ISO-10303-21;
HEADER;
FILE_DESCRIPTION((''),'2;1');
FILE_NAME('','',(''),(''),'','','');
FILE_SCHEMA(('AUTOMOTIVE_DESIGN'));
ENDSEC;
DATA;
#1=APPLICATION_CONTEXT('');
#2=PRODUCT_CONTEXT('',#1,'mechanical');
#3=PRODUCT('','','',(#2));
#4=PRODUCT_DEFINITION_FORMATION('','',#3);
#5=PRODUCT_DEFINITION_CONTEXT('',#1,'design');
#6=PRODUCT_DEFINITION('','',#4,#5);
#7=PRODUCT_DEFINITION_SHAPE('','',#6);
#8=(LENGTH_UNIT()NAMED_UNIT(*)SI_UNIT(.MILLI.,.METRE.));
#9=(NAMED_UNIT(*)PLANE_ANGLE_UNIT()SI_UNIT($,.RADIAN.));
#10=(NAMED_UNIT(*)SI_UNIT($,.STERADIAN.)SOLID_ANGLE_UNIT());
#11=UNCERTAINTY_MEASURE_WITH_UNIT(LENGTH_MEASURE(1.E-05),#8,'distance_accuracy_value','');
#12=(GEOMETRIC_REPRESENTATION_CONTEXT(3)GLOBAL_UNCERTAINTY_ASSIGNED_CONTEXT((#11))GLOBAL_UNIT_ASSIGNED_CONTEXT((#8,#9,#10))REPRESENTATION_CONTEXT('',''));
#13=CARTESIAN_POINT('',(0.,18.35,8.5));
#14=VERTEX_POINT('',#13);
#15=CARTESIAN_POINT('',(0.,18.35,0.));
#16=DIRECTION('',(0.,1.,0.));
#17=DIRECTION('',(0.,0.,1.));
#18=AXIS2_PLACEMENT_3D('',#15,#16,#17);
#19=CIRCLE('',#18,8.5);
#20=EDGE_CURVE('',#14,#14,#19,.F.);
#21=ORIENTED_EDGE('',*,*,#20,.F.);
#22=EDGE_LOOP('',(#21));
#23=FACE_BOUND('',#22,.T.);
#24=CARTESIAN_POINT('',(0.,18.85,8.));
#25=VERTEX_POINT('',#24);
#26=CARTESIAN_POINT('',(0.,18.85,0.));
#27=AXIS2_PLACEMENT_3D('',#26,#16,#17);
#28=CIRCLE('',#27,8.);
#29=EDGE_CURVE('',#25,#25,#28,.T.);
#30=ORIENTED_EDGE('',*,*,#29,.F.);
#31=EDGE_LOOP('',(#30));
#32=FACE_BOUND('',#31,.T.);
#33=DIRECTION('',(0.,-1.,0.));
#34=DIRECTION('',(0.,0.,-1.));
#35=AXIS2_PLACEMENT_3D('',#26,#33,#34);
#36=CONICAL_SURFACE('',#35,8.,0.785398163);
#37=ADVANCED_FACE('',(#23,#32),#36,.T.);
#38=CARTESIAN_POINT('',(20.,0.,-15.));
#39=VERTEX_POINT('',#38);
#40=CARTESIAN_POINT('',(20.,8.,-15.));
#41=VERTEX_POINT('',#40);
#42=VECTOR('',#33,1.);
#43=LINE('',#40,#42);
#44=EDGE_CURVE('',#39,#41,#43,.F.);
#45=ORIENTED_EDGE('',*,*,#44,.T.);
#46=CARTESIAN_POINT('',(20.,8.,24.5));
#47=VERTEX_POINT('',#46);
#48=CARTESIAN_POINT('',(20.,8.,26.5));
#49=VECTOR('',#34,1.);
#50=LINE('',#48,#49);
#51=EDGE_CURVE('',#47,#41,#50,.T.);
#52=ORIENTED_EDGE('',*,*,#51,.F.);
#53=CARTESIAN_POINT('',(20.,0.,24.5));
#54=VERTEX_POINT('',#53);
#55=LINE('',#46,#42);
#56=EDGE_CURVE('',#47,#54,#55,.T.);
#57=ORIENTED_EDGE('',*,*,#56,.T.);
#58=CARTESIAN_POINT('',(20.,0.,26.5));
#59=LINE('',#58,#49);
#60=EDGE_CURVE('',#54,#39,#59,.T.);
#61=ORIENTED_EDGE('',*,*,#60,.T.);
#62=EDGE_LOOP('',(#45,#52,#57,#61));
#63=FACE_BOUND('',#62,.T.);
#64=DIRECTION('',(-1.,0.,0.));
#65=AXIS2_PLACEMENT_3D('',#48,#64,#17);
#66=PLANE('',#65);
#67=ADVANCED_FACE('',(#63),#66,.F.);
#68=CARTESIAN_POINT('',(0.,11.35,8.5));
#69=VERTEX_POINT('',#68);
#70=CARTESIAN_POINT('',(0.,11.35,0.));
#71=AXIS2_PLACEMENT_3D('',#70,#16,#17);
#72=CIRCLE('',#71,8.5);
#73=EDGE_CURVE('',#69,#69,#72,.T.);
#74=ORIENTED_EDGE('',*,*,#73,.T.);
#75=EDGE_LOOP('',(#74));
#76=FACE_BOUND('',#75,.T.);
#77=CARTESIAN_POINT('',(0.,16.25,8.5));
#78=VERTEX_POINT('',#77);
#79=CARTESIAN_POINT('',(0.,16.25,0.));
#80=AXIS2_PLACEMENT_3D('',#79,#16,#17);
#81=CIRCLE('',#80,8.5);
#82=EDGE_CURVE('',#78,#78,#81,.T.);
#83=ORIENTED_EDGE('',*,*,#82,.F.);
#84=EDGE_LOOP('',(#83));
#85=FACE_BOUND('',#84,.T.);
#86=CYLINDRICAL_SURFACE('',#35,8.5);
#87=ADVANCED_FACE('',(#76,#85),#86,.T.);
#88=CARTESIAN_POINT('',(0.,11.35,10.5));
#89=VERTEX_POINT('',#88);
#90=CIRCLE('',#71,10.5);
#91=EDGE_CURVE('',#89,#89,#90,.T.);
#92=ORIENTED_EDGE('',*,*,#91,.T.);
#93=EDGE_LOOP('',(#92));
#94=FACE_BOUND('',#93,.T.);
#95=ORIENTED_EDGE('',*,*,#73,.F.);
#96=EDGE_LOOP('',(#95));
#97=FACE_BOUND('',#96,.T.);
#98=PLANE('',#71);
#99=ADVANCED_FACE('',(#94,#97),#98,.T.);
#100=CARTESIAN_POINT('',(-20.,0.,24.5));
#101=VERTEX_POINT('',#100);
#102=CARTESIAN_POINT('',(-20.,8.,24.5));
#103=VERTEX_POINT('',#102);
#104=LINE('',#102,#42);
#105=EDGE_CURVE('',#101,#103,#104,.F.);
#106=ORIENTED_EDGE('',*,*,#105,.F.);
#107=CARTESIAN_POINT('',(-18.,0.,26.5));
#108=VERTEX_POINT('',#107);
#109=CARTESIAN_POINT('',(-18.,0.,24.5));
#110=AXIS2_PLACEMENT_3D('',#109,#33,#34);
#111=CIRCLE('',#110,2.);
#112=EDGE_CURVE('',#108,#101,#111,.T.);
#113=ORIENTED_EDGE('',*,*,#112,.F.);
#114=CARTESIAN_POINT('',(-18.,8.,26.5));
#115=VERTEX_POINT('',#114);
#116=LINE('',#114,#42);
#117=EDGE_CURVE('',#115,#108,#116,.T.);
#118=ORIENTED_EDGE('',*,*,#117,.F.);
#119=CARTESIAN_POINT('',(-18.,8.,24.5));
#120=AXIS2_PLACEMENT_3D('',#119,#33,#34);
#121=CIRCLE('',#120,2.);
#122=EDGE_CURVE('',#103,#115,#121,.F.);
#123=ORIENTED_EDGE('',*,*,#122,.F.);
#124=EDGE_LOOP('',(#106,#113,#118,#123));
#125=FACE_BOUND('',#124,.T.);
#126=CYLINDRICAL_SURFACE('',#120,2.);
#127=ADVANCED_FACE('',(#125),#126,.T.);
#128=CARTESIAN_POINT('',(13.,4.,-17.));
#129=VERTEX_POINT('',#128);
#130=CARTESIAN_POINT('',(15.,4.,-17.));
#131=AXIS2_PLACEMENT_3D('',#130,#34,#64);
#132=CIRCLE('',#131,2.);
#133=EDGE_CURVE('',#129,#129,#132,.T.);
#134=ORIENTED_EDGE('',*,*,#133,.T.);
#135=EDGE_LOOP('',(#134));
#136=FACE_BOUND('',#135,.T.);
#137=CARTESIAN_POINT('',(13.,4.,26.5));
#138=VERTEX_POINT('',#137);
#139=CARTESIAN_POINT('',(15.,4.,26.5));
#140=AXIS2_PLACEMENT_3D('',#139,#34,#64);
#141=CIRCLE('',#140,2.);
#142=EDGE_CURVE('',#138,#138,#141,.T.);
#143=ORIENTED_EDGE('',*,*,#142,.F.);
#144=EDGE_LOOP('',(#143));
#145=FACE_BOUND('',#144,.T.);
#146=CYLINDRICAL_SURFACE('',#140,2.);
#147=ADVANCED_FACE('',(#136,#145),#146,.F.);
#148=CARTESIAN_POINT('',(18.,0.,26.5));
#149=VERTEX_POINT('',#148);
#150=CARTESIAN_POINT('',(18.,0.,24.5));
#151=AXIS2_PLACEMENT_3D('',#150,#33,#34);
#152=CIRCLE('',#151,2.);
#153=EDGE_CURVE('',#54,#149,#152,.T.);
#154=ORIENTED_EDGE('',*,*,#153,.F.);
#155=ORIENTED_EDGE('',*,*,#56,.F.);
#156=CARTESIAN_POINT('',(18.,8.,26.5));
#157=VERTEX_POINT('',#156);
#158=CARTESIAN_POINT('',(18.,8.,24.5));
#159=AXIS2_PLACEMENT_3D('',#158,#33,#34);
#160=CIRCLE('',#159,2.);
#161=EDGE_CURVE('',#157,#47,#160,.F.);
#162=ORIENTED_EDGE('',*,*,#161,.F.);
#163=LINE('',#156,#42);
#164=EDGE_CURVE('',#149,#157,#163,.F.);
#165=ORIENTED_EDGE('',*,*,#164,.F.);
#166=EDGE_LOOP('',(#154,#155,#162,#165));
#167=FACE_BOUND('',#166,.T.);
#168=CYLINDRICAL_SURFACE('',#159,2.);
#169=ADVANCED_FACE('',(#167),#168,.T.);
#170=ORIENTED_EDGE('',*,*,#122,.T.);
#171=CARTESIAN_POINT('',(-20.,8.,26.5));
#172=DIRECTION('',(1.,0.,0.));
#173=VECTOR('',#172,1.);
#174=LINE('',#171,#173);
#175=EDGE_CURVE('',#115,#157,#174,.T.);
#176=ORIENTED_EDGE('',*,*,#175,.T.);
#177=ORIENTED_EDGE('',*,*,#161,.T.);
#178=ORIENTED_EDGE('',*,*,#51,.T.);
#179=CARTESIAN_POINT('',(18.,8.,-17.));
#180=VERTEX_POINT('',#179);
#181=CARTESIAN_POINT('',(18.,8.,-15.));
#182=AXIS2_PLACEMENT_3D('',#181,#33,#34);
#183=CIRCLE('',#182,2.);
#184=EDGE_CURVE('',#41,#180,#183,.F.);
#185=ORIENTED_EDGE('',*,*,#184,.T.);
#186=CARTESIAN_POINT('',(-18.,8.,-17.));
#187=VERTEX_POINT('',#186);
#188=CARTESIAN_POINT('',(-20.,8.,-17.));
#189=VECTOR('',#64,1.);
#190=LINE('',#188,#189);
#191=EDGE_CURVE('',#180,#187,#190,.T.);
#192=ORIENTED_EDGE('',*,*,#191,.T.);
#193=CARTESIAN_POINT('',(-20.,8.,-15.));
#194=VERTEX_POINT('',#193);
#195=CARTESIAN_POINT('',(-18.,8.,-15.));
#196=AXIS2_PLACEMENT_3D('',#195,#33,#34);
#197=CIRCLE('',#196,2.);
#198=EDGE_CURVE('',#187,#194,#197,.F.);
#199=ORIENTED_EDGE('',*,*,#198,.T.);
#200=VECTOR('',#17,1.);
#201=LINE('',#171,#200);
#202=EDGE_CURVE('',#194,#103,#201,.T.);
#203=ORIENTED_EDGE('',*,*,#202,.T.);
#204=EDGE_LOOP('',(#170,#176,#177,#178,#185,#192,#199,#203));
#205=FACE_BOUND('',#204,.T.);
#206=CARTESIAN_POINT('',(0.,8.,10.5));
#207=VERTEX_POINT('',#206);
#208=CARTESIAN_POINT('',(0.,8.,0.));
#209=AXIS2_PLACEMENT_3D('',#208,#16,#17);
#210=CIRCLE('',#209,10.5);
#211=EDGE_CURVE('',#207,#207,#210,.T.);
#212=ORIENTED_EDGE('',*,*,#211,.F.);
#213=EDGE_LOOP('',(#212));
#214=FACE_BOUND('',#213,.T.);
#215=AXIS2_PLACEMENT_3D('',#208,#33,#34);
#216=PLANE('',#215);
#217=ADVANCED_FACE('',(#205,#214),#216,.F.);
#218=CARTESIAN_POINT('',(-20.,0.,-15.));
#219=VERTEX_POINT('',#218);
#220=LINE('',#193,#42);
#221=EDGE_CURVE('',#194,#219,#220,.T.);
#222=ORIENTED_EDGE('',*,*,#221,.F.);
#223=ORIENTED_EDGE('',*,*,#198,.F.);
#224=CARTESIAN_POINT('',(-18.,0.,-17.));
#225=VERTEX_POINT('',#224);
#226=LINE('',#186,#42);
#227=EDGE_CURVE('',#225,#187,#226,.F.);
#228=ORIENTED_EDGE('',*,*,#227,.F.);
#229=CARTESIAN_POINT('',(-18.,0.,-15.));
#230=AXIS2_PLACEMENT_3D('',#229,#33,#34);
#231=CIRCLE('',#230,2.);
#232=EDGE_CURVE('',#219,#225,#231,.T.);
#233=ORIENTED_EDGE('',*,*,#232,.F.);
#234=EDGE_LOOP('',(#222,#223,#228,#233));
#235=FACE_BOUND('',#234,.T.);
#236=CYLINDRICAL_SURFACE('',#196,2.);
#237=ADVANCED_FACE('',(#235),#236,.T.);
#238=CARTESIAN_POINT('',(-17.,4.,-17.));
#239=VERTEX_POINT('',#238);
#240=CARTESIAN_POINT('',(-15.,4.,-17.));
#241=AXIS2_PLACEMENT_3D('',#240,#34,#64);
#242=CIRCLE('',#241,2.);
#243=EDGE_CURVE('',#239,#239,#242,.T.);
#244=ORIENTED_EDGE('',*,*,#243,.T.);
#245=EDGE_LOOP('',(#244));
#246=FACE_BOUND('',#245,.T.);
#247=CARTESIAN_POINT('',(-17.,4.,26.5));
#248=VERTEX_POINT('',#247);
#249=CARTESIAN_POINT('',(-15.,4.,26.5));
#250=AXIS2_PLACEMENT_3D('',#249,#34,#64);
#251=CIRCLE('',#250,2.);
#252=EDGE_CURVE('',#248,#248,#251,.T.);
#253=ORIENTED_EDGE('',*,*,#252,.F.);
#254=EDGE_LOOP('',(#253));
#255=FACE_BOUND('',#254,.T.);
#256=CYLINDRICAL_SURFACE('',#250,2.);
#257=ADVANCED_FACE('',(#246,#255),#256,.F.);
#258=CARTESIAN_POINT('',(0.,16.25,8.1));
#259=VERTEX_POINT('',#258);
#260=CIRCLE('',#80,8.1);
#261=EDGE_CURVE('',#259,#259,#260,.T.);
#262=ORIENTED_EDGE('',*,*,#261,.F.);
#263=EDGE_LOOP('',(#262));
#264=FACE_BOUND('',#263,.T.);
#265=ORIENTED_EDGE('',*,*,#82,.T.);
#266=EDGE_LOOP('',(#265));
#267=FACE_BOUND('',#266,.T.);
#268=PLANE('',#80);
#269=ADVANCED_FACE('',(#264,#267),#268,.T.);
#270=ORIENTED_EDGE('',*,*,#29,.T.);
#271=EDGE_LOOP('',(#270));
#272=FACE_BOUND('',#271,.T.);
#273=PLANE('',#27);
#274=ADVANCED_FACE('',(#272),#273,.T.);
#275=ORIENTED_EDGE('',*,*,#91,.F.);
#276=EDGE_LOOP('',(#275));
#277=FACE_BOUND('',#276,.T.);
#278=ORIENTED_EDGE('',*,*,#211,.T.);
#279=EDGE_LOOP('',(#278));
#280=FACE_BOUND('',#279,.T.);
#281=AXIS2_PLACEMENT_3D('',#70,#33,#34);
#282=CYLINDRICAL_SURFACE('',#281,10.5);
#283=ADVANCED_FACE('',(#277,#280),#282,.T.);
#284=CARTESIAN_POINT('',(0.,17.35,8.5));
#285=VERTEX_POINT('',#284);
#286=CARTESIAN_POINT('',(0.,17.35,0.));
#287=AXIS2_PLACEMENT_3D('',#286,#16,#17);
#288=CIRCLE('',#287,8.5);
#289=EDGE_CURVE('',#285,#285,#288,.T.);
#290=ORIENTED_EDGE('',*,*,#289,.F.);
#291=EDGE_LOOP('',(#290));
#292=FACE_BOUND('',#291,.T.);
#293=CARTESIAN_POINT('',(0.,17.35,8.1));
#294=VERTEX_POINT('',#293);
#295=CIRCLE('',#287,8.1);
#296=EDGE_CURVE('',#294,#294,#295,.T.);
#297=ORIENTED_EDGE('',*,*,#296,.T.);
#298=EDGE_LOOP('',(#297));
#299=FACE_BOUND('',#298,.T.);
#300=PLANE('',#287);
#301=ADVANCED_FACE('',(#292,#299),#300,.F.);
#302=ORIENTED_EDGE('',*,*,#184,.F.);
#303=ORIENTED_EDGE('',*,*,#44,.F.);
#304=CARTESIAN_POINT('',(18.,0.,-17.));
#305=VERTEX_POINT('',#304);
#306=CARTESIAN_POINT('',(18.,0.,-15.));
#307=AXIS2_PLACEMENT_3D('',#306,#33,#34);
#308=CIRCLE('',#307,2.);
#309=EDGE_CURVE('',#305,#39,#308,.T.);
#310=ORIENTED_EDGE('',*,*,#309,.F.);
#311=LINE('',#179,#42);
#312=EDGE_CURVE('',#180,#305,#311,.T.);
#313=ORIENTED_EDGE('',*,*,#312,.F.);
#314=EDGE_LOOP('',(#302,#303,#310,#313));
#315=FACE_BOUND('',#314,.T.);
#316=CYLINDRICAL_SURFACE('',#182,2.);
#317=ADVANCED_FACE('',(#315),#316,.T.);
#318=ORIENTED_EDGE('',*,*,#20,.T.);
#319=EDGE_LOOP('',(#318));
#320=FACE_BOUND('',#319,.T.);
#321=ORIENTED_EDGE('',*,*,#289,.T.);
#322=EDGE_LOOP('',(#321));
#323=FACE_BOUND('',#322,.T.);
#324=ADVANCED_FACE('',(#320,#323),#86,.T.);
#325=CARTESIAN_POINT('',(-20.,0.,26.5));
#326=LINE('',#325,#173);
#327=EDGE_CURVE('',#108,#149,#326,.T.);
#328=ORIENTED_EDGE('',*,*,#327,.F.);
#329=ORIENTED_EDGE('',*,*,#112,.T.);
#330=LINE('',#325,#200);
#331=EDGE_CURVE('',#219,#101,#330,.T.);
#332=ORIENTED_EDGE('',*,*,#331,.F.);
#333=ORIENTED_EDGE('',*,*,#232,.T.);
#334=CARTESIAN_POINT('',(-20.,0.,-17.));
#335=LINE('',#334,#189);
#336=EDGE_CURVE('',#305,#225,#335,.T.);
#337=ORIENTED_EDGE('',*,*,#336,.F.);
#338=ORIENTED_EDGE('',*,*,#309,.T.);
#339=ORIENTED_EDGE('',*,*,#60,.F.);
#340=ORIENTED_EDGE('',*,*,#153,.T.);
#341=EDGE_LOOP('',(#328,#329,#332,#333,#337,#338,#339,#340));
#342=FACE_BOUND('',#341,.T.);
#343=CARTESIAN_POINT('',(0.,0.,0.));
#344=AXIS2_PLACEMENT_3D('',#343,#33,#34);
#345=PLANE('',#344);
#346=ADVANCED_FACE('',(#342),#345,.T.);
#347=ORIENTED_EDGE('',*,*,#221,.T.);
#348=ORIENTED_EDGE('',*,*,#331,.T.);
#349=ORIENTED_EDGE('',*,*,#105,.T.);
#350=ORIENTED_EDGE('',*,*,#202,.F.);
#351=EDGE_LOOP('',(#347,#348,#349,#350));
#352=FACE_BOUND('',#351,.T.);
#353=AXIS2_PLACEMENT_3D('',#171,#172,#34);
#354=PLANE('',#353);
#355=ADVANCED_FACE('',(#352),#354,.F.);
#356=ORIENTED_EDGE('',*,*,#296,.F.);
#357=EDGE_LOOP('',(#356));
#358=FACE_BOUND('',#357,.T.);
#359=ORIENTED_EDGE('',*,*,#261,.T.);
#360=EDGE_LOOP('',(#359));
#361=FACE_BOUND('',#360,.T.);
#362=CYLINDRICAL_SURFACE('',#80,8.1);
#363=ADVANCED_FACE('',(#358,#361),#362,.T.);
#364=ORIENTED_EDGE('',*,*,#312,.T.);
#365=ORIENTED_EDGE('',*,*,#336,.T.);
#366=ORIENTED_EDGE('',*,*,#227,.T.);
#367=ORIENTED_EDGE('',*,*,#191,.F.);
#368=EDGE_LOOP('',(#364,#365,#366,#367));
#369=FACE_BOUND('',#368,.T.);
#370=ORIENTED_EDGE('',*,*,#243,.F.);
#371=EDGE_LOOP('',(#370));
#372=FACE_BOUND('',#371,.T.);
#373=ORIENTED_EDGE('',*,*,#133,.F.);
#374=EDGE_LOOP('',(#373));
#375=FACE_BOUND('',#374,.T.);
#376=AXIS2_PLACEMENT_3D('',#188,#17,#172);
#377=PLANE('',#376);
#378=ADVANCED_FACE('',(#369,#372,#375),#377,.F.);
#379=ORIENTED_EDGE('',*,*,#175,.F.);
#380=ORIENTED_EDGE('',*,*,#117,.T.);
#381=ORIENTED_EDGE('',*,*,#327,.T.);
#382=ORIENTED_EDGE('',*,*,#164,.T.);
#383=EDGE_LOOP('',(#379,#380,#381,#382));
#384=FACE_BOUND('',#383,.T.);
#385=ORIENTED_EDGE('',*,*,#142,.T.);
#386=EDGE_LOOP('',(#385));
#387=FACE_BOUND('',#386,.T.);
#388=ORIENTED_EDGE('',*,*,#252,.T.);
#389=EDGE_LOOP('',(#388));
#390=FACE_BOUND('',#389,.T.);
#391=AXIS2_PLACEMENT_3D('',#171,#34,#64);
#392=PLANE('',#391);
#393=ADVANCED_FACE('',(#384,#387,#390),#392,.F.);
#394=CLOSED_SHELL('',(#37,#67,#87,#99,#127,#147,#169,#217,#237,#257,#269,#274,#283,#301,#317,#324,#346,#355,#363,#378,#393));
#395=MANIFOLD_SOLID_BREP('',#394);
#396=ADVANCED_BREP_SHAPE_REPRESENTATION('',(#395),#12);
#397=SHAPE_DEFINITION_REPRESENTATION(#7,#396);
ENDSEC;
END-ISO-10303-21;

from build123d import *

# Parameters (mm, degrees)
SKETCH_1_W          = 40
SKETCH_1_H          = 43.5
EXTRUDE_1_DEPTH     = 8
SKETCH_2_R          = 10.5
EXTRUDE_2_DEPTH     = 3.35
SKETCH_3_R          = 8.5
EXTRUDE_3_DEPTH     = 7.5
SKETCH_4_R          = 2
CUT_EXTRUDE_1_DEPTH = 52.454567339
CUT_EXTRUDE_START   = -1.1
SKETCH_5_R          = 8.5
SKETCH_5_R_2        = 8.1
CUT_EXTRUDE_2_DEPTH = 1.1
CHAMFER_1_SIZE      = 0.5
FILLET_1_R          = 2


with BuildPart() as part:
    # 草图1 → 凸台-拉伸1 (new body)
    with BuildSketch(Plane(origin=(0, 0, 0), x_dir=(1, 0, 0), z_dir=(0, 1, 0))):
        with Locations((0, -4.75)):
            Rectangle(SKETCH_1_W, SKETCH_1_H)
    extrude(amount=EXTRUDE_1_DEPTH)

    # 草图2 → 凸台-拉伸2 (add)
    with BuildSketch(Plane(origin=(0, 8, 0), x_dir=(1, 0, 0), z_dir=(0, 1, 0))):
        with Locations(Location((0, 0, 0), (0, 0, 270))):
            Circle(SKETCH_2_R)
    extrude(amount=EXTRUDE_2_DEPTH)

    # 草图3 → 凸台-拉伸3 (add)
    with BuildSketch(Plane(origin=(0, 11.35, 0), x_dir=(1, 0, 0), z_dir=(0, 1, 0))):
        with Locations(Location((0, 0, 0), (0, 0, 270))):
            Circle(SKETCH_3_R)
    extrude(amount=EXTRUDE_3_DEPTH)

    # 草图4 → 切除-拉伸1 (cut, through all)
    with BuildSketch(Plane(origin=(0, 0, -17), x_dir=(-1, 0, 0), z_dir=(0, 0, -1))):
        with Locations((-15, 4)):
            Circle(SKETCH_4_R)
        with Locations((15, 4)):
            Circle(SKETCH_4_R)
    extrude(amount=-CUT_EXTRUDE_1_DEPTH, mode=Mode.SUBTRACT)

    # 草图5 → 切除-拉伸2 (cut)
    with BuildSketch(Plane(origin=(0, 17.35, 0), x_dir=(1, 0, 0), z_dir=(0, 1, 0)).offset(CUT_EXTRUDE_START)):
        with Locations(Location((0, 0, 0), (0, 0, 270))):
            Circle(SKETCH_5_R)
        with Locations(Location((0, 0, 0), (0, 0, 270))):
            Circle(SKETCH_5_R_2, mode=Mode.SUBTRACT)
    extrude(amount=CUT_EXTRUDE_2_DEPTH, mode=Mode.SUBTRACT)

    # 倒角1
    chamfer_1_edges = [part.edges().sort_by_distance(p)[0] for p in [
        (0, 18.85, -8.5),
    ]]
    chamfer(chamfer_1_edges, length=CHAMFER_1_SIZE)

    # 圆角1
    fillet_1_edges = [part.edges().sort_by_distance(p)[0] for p in [
        (20, 4, 26.5),
        (-20, 4, 26.5),
        (-20, 4, -17),
        (20, 4, -17),
    ]]
    fillet(fillet_1_edges, radius=FILLET_1_R)


solid = part.part
